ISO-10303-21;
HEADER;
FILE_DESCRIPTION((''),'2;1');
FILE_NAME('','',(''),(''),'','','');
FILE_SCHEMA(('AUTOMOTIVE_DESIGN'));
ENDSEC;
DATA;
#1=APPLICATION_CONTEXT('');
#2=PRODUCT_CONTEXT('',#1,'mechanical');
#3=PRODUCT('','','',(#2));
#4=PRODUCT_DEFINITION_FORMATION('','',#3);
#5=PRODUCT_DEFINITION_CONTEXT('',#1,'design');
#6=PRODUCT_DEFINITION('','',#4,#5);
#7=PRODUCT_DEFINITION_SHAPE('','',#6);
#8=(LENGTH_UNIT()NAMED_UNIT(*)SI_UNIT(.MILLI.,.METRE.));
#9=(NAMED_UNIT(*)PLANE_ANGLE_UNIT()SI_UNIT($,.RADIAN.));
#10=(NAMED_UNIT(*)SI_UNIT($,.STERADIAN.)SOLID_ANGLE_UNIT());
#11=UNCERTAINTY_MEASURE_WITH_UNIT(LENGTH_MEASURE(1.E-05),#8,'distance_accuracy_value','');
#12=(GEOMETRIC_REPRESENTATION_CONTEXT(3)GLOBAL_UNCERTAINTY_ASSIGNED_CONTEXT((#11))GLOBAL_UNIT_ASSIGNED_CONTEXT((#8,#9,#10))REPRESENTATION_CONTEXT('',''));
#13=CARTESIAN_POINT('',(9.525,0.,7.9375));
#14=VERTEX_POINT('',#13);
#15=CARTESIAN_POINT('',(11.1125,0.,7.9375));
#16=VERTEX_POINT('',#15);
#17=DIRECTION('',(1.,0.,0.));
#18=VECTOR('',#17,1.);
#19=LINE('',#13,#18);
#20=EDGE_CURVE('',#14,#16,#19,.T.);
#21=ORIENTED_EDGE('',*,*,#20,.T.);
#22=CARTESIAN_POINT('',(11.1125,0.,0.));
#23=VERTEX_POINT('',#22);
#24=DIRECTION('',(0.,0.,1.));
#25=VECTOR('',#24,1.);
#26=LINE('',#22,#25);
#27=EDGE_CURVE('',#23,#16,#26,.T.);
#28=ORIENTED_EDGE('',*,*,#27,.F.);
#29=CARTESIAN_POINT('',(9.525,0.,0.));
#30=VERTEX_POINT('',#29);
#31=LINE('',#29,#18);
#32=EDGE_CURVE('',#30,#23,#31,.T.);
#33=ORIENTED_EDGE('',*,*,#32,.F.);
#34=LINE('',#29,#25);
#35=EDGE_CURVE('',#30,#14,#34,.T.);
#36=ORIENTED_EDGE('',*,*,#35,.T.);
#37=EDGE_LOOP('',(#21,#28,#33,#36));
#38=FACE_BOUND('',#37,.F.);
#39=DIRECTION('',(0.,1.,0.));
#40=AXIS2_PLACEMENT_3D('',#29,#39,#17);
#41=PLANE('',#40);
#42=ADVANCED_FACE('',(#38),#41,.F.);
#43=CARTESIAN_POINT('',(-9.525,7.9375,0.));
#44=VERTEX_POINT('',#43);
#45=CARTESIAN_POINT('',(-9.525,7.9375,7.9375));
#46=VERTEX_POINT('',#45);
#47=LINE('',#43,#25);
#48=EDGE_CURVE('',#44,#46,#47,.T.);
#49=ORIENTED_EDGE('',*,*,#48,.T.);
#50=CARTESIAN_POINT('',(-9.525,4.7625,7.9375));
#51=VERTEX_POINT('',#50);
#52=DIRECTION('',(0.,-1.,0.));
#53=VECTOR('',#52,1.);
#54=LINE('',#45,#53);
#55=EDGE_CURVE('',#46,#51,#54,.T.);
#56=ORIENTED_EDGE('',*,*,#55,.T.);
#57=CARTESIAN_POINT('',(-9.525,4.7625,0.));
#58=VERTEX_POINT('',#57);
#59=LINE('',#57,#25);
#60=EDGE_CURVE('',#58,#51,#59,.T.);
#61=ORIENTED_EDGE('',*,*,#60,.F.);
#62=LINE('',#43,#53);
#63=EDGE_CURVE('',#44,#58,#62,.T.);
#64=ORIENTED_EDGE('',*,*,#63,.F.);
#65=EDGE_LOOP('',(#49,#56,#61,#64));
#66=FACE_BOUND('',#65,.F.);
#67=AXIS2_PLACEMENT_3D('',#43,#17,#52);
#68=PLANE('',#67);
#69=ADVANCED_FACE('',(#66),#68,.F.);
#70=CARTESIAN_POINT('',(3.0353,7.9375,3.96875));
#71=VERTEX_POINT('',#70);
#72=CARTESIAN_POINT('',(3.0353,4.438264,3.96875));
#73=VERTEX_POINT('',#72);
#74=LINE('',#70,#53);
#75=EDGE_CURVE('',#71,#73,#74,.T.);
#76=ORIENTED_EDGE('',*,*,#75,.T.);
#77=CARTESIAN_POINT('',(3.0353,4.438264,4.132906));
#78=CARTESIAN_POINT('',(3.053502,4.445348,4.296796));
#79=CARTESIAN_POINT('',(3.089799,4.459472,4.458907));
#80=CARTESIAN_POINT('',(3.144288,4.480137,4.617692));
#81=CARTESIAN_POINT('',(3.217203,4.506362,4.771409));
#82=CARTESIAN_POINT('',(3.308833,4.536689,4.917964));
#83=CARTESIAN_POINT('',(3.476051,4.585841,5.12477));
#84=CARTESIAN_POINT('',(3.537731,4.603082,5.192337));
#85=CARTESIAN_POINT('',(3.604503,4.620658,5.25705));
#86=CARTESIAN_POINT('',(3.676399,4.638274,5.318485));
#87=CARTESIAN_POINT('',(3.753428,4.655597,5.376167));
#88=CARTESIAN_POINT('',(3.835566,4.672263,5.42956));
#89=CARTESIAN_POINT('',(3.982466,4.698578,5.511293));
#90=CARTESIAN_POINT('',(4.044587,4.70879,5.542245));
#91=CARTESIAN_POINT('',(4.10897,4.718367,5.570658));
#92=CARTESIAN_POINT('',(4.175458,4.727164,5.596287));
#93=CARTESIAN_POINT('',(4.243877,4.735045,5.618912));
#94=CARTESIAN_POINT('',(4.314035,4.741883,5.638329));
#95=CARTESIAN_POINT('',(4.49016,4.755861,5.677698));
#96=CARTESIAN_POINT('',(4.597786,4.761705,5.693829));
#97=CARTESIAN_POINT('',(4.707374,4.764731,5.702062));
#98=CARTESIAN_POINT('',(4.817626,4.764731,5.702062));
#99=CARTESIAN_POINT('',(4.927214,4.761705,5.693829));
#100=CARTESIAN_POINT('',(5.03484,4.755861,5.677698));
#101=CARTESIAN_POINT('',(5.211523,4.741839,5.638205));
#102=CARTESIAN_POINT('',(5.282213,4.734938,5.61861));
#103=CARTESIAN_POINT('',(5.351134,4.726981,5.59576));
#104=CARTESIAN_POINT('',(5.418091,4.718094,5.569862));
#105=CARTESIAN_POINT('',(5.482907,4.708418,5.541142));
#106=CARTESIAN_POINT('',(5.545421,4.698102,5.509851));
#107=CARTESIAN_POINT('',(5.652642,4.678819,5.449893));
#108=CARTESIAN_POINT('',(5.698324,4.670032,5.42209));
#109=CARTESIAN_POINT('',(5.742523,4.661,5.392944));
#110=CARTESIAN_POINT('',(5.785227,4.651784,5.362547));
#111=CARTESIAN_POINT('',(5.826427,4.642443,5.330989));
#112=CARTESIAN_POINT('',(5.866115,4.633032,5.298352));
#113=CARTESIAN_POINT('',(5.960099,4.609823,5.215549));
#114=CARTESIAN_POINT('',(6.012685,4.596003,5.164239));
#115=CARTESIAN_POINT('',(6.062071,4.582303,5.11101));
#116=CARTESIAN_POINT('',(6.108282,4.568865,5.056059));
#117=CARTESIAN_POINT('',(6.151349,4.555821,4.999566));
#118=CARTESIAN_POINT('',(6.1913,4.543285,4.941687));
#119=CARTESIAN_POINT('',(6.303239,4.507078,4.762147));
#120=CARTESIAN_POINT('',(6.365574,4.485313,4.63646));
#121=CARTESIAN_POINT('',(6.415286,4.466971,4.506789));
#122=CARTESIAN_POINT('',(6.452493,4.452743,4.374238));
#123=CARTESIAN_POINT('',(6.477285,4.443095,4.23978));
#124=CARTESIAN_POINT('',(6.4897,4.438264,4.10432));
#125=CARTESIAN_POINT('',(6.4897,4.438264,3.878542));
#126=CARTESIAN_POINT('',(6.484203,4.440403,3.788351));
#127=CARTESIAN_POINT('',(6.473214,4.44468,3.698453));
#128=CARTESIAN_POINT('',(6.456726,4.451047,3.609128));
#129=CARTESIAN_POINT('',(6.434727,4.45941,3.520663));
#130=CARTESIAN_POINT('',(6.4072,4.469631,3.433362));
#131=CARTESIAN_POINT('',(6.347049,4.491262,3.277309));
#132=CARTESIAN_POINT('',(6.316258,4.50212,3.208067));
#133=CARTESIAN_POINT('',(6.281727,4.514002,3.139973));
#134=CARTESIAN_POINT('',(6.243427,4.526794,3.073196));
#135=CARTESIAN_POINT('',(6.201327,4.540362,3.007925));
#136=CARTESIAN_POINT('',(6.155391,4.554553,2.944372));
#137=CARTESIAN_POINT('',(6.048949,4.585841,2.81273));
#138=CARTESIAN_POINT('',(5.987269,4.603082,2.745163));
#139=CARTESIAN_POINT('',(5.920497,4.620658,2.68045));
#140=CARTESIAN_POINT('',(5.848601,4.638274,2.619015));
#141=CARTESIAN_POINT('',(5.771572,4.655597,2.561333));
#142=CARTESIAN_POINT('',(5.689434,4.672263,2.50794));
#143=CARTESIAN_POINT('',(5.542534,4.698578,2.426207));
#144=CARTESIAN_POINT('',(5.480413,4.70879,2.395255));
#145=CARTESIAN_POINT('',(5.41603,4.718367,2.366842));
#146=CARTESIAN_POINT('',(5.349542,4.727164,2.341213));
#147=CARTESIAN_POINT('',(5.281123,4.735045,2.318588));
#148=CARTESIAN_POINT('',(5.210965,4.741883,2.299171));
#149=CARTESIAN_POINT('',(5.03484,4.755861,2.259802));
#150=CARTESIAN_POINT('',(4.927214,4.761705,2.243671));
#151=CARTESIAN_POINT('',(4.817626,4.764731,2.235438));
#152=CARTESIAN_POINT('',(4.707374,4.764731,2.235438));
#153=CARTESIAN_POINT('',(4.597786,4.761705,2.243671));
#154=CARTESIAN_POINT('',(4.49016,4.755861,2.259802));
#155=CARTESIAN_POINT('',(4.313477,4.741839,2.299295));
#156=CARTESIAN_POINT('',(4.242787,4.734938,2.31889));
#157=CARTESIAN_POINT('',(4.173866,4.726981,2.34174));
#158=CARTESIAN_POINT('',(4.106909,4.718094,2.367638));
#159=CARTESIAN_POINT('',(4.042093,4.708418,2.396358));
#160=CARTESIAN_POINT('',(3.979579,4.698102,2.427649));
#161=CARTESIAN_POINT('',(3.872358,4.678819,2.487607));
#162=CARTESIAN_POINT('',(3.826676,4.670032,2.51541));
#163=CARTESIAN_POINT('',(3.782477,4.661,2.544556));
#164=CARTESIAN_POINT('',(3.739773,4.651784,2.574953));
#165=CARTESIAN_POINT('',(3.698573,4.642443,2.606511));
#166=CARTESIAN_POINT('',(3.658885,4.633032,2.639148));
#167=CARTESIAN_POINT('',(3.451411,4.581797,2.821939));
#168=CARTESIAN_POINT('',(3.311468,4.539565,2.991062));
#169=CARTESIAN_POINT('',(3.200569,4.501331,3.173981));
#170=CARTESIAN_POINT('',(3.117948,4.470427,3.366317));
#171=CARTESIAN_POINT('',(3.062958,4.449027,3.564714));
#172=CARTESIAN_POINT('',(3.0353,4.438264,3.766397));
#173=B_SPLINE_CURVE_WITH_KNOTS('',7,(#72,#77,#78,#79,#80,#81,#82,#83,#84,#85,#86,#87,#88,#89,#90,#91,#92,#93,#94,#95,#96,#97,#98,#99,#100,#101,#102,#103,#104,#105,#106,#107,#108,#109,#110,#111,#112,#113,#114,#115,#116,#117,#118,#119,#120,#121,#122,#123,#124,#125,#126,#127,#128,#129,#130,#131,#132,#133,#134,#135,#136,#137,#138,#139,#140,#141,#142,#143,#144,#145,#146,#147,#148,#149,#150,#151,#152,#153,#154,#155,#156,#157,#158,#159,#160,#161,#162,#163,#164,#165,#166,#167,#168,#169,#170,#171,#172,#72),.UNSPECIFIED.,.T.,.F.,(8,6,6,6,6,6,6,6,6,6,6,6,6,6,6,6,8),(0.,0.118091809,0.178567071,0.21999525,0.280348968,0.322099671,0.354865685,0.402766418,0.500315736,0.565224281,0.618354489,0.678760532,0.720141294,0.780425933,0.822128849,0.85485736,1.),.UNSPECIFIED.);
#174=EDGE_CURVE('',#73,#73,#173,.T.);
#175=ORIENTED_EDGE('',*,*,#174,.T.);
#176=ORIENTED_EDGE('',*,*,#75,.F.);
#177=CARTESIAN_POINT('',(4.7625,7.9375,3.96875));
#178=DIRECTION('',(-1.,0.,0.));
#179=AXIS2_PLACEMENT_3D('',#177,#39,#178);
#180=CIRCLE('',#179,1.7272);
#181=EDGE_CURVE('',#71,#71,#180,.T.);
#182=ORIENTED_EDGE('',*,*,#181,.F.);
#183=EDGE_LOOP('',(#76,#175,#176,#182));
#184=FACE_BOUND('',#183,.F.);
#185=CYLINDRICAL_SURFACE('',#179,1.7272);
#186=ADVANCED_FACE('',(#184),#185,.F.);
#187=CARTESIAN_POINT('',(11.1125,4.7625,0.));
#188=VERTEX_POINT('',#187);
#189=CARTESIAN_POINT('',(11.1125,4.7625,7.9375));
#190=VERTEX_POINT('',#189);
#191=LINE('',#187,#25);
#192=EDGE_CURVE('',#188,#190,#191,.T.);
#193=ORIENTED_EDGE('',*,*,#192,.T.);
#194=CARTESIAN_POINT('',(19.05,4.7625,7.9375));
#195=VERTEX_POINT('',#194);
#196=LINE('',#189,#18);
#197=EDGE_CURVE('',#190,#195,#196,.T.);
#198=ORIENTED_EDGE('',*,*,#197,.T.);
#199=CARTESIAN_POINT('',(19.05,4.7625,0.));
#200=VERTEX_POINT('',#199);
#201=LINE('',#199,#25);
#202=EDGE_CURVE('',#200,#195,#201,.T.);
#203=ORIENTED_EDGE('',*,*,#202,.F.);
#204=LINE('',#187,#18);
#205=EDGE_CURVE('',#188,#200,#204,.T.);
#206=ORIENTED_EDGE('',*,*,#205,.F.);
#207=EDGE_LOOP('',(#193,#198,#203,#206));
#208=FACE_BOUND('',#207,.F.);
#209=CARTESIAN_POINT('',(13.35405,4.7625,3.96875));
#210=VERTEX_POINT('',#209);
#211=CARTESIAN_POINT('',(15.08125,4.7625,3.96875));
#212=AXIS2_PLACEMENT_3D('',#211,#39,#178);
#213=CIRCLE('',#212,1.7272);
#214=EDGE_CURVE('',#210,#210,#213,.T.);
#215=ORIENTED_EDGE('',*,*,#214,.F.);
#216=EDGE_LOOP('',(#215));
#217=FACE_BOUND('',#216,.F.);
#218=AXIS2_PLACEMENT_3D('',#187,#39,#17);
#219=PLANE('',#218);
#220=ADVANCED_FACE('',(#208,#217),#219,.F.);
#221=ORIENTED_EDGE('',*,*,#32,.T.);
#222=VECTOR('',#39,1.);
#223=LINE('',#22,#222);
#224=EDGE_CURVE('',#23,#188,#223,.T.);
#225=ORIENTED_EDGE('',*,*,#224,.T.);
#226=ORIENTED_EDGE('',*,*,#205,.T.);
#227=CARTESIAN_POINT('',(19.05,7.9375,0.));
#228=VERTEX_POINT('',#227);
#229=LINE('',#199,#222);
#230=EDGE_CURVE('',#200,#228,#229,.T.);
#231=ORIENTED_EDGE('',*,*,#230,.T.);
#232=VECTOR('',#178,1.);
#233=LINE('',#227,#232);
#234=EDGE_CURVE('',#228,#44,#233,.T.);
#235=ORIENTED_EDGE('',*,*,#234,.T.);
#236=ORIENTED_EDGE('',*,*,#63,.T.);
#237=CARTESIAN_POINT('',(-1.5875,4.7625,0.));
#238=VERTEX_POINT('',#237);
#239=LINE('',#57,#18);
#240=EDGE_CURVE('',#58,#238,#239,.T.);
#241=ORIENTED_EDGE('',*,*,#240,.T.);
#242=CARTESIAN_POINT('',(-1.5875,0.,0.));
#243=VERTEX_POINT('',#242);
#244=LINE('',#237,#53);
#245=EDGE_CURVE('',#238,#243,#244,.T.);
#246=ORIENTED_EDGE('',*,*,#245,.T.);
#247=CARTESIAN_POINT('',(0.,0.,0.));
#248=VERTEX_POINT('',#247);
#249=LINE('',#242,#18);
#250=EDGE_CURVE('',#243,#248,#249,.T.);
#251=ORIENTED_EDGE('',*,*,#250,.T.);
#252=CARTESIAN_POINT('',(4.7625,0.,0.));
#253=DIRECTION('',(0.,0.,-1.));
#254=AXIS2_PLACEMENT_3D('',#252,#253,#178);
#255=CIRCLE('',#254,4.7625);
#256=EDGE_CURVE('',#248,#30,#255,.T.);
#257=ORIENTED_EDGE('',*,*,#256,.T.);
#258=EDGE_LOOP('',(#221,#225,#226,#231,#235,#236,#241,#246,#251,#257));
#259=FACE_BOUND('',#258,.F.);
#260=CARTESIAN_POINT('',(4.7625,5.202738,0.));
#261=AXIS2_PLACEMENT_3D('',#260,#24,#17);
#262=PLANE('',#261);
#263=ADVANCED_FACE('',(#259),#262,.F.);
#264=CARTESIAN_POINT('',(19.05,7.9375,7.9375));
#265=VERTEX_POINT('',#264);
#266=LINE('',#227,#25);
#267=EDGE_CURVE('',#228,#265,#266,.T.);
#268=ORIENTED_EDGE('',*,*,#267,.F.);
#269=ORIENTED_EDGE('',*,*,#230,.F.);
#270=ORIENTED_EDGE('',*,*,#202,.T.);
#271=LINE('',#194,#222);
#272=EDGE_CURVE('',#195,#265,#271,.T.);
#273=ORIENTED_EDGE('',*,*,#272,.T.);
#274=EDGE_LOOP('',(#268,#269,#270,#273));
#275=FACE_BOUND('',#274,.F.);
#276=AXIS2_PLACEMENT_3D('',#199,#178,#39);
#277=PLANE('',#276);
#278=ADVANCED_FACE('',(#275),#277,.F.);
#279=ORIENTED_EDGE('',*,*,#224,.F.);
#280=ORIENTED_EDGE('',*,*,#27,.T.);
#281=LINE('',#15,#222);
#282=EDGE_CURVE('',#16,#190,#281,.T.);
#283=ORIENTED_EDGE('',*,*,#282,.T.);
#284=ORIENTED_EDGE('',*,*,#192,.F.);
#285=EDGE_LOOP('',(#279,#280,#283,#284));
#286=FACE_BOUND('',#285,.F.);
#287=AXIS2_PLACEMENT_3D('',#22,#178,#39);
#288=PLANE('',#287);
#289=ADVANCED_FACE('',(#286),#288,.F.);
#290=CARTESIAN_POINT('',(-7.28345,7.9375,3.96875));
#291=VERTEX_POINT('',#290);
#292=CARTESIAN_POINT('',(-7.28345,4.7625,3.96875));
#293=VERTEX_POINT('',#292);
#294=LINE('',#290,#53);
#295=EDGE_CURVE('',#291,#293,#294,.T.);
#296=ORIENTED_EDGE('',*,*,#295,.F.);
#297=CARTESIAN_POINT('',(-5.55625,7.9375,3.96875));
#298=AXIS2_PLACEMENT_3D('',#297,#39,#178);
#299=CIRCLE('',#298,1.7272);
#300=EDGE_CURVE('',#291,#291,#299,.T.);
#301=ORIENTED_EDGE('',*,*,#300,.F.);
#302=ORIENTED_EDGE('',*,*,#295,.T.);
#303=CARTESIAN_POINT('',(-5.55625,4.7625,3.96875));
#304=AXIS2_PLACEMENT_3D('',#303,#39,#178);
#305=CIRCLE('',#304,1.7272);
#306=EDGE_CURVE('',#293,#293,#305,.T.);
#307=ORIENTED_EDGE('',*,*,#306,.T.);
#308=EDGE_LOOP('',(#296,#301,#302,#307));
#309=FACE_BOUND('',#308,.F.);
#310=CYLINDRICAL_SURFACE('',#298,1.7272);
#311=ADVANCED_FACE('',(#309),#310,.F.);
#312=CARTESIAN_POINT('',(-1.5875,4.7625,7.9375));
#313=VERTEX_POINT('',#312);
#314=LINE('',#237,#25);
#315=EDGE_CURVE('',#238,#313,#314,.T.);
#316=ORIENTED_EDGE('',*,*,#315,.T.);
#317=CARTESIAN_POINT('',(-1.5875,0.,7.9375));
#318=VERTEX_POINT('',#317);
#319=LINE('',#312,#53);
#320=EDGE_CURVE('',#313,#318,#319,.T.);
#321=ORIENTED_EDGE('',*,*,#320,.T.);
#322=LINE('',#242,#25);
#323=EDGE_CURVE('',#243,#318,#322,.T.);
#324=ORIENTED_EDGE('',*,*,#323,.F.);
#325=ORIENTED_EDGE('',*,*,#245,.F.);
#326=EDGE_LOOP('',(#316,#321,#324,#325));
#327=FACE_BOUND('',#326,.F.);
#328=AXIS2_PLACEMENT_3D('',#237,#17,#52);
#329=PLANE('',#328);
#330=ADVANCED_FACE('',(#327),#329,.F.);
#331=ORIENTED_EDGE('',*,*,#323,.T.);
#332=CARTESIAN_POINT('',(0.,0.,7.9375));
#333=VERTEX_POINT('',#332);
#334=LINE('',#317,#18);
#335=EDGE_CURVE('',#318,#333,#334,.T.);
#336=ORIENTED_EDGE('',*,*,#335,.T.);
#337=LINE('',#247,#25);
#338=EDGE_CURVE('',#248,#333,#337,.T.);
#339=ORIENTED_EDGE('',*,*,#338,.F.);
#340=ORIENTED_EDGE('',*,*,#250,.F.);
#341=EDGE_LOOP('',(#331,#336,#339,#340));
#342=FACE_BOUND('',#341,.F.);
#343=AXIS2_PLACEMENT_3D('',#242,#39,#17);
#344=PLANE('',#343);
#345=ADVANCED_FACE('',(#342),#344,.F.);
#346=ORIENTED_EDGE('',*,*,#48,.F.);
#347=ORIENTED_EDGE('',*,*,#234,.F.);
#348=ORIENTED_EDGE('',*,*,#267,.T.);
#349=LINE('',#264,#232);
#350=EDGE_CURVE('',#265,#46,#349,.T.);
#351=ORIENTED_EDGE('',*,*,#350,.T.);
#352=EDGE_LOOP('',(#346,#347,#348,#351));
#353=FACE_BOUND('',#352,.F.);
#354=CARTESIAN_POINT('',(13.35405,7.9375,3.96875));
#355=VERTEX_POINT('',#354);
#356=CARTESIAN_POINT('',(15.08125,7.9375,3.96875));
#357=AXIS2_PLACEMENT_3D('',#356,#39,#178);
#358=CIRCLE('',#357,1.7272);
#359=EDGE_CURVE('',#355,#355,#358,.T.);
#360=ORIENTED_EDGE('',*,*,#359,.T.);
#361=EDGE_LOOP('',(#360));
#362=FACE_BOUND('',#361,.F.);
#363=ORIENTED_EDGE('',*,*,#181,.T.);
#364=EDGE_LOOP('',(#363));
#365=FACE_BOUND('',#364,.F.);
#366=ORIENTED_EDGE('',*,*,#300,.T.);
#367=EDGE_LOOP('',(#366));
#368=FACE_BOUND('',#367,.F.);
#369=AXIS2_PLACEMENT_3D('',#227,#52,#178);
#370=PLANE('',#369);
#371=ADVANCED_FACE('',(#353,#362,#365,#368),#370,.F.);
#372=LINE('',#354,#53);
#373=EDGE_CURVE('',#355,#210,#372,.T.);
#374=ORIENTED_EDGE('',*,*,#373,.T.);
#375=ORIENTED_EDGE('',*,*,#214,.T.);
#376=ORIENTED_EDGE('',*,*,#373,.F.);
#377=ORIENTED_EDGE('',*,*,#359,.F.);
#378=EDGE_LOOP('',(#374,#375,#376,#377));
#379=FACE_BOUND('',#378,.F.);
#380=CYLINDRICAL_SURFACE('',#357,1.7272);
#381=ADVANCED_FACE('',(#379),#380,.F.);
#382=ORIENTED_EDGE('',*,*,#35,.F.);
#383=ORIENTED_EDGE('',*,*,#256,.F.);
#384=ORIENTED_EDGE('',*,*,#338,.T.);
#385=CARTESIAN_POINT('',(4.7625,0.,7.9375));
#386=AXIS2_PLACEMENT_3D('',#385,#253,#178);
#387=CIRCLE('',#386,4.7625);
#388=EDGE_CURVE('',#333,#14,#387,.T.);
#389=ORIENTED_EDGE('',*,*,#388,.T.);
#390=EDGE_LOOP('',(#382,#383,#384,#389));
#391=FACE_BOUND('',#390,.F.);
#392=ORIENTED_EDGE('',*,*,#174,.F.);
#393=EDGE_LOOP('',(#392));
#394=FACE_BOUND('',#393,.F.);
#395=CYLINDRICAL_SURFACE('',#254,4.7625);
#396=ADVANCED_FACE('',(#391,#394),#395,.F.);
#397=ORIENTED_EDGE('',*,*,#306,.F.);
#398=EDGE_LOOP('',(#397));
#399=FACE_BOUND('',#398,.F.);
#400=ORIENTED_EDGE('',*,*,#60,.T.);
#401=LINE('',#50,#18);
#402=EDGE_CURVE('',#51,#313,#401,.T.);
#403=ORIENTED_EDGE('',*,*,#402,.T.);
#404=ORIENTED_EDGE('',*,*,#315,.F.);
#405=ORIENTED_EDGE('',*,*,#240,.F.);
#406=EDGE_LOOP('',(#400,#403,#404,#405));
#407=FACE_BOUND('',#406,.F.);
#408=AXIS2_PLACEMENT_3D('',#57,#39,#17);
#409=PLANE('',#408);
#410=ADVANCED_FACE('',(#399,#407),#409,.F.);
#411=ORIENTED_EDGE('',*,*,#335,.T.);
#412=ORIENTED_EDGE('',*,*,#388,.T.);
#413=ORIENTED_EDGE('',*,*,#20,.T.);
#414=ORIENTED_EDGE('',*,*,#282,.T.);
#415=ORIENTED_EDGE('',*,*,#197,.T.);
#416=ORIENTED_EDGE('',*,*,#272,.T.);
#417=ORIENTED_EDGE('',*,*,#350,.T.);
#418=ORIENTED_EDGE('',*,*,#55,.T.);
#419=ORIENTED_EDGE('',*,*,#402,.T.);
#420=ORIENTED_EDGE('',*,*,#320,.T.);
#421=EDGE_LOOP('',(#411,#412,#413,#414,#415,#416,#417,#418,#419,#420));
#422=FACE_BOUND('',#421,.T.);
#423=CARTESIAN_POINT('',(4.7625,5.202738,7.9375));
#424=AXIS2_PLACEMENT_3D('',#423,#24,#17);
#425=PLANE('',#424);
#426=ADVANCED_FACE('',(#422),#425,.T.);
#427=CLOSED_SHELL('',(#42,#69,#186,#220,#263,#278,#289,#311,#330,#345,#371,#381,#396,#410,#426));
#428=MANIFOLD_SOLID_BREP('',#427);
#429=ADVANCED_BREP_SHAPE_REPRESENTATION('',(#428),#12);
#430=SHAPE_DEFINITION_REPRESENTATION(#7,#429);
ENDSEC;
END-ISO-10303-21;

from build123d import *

# Parameters (mm, degrees)
F1_DEPTH = 7.9375
F2_R     = 1.7272
F3_DEPTH = 7.9375


with BuildPart() as f1:
    # F0 (on Top) → F1 (new body)
    with BuildSketch(Plane.XY):
        with BuildLine():
            ThreePointArc((0, 0), (4.7625, 4.7625), (9.525, 0))
            Line((9.525, 0), (11.1125, 0))
            Line((11.1125, 0), (11.1125, 4.7625))
            Line((11.1125, 4.7625), (19.05, 4.7625))
            Line((19.05, 4.7625), (19.05, 7.9375))
            Line((19.05, 7.9375), (-9.525, 7.9375))
            Line((-9.525, 7.9375), (-9.525, 4.7625))
            Line((-9.525, 4.7625), (-1.5875, 4.7625))
            Line((-1.5875, 4.7625), (-1.5875, 0))
            Line((-1.5875, 0), (0, 0))
        make_face()
    extrude(amount=F1_DEPTH)

    # F2 (on face) → F3 (cut, through all)
    with BuildSketch(Plane(origin=(0, 7.9375, 0), x_dir=(-1, 0, 0), z_dir=(0, 1, 0))):
        with Locations((5.55625, 3.96875)):
            Circle(F2_R)
        with Locations((-15.08125, 3.96875)):
            Circle(F2_R)
        with Locations((-4.7625, 3.96875)):
            Circle(F2_R)
    extrude(amount=-F3_DEPTH, mode=Mode.SUBTRACT)


solid = f1.part
